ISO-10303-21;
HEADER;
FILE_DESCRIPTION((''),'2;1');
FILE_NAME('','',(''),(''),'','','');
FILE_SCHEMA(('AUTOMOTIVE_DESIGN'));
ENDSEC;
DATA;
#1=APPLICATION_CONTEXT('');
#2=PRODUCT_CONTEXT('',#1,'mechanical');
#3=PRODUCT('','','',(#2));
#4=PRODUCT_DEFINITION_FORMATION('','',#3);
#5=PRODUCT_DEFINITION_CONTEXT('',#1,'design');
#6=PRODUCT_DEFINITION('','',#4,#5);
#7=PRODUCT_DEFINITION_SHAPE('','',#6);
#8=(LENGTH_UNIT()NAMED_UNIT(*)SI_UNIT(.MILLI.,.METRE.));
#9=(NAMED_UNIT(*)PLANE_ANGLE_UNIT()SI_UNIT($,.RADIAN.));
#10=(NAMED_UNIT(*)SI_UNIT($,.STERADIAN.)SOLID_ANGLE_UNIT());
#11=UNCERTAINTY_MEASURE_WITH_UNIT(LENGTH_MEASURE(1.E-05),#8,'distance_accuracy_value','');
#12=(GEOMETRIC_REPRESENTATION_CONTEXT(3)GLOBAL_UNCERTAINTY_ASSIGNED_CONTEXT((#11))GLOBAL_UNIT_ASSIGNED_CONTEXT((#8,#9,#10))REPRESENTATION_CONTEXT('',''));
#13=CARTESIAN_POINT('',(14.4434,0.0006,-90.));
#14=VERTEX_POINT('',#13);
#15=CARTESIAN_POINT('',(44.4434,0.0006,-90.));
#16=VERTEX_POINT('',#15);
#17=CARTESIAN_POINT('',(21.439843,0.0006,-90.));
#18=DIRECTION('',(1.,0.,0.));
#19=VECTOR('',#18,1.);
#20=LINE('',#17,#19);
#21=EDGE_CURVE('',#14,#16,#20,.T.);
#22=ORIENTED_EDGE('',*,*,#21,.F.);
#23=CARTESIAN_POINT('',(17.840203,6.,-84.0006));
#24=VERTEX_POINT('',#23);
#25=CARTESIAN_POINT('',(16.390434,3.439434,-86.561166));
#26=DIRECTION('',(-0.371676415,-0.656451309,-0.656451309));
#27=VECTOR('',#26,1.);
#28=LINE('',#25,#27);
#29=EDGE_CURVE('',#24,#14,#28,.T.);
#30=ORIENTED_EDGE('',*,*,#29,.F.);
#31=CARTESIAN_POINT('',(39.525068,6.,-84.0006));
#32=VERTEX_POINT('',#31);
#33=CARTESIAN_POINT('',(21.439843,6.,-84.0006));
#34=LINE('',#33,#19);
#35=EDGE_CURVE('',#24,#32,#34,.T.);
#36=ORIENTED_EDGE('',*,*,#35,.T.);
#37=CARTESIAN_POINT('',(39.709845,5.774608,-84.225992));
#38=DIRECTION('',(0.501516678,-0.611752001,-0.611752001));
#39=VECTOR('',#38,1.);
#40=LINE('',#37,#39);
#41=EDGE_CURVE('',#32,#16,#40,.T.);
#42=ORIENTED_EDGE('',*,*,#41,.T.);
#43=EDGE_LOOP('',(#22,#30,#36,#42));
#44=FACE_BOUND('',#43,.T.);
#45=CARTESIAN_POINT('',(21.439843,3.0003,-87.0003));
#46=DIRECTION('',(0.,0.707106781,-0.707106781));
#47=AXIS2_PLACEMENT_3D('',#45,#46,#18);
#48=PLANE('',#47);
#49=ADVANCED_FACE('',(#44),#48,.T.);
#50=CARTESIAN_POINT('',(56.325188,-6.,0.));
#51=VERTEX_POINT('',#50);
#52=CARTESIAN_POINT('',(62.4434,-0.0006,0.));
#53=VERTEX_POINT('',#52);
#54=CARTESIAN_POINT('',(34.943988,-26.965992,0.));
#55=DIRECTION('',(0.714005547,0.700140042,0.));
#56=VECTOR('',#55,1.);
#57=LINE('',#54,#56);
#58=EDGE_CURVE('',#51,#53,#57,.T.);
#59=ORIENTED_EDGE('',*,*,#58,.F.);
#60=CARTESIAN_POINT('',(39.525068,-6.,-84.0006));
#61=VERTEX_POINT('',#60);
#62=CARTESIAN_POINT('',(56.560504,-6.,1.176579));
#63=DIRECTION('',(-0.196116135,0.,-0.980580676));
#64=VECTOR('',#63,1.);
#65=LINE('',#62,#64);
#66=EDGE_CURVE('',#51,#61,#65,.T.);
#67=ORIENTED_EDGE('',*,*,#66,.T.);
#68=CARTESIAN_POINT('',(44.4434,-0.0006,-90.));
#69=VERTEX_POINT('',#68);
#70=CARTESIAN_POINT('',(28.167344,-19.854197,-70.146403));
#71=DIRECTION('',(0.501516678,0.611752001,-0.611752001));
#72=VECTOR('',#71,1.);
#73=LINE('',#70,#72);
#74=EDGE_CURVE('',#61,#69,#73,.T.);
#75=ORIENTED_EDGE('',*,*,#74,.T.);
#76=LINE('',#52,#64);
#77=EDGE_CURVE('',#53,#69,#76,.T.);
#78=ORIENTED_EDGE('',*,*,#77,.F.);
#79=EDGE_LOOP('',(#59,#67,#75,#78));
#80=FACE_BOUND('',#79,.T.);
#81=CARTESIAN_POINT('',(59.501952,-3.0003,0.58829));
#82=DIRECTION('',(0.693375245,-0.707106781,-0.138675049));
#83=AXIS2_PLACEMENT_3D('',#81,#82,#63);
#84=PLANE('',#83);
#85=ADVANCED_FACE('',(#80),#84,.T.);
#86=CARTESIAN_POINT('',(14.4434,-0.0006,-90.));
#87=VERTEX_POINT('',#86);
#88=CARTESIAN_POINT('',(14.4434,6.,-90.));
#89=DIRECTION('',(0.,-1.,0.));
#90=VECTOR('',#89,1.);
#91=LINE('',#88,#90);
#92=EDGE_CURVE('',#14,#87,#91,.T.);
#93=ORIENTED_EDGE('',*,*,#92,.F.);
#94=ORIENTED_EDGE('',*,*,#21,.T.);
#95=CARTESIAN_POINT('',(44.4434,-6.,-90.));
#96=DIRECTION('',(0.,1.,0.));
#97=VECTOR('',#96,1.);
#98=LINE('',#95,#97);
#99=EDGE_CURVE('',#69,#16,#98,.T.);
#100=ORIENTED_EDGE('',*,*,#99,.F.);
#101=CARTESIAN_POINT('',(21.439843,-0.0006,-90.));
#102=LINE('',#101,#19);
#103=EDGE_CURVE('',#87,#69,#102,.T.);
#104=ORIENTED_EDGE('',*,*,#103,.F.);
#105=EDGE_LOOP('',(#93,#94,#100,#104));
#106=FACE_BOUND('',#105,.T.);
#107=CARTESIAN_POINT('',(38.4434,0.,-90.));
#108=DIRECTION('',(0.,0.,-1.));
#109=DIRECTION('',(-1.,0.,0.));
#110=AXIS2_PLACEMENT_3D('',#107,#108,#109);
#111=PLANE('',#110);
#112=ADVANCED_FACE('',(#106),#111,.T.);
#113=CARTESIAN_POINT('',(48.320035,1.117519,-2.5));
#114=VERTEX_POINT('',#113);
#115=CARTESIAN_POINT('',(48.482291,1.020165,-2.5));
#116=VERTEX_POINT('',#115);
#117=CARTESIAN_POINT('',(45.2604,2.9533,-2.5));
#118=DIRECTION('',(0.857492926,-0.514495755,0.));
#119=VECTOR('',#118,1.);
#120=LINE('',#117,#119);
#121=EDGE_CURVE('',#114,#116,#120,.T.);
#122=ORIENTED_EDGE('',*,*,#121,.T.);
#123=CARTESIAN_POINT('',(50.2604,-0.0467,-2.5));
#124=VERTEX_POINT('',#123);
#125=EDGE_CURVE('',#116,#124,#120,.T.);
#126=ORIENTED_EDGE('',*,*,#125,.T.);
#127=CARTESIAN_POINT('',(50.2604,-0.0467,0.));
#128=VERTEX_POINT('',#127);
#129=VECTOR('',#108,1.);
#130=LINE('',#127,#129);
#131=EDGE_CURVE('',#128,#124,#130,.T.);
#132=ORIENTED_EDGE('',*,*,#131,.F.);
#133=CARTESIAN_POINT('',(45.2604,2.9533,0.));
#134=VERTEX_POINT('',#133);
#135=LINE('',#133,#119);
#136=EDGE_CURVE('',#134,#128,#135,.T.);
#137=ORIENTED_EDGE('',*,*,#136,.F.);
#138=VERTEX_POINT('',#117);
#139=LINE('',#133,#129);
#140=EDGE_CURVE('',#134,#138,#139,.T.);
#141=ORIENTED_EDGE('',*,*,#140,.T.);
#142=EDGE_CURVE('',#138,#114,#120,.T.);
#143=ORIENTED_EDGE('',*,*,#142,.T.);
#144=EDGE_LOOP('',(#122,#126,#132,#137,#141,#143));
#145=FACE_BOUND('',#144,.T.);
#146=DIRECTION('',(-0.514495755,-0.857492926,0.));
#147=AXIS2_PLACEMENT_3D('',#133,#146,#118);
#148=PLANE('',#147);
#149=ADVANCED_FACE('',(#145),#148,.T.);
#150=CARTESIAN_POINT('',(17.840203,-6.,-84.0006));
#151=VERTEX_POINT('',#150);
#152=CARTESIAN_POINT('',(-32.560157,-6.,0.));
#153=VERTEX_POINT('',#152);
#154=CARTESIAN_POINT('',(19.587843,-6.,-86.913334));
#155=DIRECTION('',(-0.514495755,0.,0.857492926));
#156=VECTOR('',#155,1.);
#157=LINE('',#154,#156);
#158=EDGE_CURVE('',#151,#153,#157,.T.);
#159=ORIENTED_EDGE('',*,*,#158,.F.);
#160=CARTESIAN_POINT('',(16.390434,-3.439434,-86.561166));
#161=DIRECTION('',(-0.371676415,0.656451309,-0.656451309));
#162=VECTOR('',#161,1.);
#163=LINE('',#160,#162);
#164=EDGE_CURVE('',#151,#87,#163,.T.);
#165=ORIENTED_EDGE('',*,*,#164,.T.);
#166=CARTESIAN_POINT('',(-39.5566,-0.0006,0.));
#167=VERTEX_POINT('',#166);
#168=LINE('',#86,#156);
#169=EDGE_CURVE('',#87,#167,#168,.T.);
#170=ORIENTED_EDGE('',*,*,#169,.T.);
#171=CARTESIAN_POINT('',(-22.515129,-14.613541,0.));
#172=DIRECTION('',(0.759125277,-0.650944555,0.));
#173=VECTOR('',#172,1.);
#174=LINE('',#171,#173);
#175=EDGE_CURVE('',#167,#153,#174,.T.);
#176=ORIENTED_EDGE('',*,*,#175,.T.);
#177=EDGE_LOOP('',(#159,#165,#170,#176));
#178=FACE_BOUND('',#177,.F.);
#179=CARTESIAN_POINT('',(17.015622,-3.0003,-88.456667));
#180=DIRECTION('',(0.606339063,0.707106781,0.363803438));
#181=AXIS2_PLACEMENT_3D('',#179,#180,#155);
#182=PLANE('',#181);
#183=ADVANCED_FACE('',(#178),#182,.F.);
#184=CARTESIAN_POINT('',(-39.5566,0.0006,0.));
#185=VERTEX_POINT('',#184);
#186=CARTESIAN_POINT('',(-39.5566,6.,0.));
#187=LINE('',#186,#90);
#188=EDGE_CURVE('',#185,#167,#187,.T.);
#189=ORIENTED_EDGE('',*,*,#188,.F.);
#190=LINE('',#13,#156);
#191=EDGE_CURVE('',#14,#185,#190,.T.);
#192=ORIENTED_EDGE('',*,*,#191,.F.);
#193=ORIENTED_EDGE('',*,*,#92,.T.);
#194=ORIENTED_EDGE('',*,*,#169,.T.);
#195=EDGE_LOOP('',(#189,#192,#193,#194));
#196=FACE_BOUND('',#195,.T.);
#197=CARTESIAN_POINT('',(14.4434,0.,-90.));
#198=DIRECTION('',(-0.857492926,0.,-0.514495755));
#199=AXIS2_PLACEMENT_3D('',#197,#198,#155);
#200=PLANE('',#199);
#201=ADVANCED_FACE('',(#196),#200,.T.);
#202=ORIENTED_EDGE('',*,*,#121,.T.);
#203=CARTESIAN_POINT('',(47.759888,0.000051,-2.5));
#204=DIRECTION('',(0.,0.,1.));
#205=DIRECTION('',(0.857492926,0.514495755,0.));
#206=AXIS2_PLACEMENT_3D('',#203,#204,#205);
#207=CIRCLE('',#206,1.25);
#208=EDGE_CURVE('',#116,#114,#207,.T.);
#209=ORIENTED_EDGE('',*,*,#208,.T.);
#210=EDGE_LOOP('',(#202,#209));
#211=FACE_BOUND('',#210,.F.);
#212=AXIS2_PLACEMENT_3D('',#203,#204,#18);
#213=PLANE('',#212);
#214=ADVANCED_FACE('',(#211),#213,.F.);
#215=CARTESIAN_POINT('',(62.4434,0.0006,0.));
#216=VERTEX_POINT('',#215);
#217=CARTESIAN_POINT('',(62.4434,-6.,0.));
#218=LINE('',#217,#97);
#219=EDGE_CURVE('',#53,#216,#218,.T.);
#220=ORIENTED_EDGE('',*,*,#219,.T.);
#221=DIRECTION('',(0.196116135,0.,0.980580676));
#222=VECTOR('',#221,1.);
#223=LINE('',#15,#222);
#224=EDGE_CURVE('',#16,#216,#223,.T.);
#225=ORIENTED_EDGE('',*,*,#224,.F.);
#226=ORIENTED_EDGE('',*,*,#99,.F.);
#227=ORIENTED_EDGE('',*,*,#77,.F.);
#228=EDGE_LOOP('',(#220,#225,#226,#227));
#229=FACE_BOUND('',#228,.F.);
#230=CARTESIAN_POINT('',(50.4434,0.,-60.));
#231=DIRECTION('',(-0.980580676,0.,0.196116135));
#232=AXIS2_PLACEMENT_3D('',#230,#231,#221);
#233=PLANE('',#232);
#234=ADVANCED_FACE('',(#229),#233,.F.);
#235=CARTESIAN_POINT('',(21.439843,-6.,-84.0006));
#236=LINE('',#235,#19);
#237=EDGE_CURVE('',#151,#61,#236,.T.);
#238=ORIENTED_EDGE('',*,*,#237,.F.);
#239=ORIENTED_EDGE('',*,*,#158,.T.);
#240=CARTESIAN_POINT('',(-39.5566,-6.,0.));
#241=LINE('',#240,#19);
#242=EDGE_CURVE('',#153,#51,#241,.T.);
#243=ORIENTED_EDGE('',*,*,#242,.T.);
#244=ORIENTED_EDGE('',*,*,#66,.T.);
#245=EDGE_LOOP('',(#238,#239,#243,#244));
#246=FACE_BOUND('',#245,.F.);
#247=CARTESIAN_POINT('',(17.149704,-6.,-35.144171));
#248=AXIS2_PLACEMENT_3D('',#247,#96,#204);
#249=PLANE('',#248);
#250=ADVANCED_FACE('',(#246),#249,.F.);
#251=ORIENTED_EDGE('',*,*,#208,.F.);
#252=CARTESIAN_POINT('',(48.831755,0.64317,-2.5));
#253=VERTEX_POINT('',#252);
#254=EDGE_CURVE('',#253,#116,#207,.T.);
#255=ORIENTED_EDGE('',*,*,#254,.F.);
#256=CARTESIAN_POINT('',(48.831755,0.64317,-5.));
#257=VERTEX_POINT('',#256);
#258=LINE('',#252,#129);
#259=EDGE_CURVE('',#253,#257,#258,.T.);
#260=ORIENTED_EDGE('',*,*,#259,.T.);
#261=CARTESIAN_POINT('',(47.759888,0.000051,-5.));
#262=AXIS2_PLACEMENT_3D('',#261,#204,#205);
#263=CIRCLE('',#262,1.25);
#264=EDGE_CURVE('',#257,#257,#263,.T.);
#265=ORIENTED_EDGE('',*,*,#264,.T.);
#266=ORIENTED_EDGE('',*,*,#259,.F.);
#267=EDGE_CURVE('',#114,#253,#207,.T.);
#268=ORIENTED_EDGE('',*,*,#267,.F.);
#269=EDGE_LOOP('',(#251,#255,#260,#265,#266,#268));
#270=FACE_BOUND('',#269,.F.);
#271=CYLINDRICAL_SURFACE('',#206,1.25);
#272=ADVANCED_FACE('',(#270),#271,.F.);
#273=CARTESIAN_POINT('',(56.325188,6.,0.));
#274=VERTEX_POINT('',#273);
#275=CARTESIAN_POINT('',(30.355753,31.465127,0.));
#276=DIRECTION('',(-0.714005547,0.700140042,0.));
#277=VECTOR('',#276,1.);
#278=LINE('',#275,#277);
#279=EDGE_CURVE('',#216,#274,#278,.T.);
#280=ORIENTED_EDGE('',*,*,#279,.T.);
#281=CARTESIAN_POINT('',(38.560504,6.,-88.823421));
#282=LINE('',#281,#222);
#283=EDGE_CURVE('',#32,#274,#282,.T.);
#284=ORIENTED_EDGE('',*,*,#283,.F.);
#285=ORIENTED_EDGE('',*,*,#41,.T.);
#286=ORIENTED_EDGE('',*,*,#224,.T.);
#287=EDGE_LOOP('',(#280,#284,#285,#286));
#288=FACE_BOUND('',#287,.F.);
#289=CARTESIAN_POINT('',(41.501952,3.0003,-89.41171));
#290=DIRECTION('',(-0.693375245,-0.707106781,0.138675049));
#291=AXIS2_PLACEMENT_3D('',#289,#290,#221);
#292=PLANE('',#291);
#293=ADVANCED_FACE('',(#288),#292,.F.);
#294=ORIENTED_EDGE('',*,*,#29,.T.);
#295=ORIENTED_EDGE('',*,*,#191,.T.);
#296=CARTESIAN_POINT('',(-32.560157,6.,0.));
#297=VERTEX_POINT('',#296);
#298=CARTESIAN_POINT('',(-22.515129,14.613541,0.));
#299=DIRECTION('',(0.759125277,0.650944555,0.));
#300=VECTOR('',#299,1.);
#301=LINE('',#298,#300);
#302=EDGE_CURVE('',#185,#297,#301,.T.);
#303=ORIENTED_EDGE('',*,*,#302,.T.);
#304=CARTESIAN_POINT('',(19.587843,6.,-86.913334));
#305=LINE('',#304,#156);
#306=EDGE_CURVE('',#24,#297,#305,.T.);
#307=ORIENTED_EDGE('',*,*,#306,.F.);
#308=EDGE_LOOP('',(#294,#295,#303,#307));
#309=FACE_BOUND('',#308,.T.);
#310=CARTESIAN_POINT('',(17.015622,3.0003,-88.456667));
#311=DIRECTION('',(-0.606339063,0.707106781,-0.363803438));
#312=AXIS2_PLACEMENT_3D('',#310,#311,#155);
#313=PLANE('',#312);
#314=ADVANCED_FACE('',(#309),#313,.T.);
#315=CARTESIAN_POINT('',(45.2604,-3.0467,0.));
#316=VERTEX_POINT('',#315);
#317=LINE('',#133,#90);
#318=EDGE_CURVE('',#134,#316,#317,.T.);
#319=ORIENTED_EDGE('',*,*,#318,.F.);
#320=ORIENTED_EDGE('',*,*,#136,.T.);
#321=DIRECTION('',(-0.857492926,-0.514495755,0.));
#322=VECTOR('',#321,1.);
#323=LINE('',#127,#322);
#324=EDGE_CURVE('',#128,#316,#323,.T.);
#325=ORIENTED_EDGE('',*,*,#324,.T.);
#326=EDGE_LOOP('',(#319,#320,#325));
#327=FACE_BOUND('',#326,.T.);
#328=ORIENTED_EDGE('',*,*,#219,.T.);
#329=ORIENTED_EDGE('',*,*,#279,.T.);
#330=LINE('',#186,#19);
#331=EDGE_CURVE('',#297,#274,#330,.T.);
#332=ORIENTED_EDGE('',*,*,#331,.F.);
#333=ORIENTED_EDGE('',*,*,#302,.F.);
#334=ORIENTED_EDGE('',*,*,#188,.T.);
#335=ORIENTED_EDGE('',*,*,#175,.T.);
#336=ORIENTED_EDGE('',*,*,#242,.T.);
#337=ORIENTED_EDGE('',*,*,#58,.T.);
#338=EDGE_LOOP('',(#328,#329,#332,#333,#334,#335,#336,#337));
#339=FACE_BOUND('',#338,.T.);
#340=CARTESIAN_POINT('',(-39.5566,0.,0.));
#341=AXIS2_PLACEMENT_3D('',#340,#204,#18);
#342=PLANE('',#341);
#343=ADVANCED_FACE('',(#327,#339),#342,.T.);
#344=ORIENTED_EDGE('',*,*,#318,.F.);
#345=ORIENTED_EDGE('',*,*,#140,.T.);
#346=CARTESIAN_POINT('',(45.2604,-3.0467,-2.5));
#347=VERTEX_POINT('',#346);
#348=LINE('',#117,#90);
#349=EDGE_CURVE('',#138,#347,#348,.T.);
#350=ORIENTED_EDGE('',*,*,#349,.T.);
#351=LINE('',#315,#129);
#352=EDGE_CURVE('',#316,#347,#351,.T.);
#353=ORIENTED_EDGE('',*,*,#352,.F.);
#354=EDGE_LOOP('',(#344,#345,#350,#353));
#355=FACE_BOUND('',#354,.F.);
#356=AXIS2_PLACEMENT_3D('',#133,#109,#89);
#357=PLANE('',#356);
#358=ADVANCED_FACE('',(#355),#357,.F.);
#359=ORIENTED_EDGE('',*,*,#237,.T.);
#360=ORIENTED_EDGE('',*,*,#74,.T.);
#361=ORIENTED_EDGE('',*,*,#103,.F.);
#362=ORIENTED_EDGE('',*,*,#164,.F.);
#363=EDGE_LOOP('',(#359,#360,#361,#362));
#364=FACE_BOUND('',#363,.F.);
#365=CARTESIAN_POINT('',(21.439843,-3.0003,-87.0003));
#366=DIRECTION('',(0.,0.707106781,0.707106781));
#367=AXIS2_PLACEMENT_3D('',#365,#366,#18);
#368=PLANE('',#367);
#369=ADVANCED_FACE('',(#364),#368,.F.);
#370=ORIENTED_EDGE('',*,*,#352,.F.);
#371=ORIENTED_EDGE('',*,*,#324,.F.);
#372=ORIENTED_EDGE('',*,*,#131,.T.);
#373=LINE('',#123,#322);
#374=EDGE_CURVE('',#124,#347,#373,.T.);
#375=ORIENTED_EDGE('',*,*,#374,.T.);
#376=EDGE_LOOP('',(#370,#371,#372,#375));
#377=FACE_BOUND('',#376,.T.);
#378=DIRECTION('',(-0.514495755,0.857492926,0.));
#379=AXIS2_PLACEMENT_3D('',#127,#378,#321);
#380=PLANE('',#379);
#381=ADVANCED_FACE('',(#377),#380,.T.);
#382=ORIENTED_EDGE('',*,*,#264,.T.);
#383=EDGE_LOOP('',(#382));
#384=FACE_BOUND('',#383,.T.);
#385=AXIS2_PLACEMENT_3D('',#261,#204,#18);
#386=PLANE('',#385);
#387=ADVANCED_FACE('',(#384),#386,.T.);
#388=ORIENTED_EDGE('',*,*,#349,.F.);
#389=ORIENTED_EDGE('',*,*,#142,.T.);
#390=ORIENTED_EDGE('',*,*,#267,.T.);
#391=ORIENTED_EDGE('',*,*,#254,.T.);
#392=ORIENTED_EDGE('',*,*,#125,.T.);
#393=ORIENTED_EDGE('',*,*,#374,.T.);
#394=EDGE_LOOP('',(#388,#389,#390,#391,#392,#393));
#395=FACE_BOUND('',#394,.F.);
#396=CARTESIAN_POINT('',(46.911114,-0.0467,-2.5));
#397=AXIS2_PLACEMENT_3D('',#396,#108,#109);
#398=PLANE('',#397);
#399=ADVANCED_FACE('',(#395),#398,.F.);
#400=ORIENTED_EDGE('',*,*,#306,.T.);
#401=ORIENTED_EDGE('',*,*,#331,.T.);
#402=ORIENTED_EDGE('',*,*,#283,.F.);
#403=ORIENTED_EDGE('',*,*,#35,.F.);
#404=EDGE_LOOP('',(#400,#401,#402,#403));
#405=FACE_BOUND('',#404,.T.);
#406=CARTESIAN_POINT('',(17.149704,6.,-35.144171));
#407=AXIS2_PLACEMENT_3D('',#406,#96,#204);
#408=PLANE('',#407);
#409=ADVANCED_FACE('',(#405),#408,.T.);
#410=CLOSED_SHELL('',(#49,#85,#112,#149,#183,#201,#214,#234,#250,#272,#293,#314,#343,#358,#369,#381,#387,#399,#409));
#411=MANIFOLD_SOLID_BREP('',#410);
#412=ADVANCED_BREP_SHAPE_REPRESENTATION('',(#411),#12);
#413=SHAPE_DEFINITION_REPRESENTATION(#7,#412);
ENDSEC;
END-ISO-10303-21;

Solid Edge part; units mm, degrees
sketch "Sketch1" plane through (0, 0, 0) normal (0, -1, 0) x (1, 0, 0)
  line L0 (-39.5566, 0) -> (62.4434, 0)
  line L1 (50.4434, -60) -> (62.4434, 0)
  line L2 (50.4434, -60) -> (44.4434, -90)
  line L3 (38.4434, -90) -> (44.4434, -90)
  line L4 (38.4434, -90) -> (14.4434, -90)
  line L5 (14.4434, -90) -> (-39.5566, 0)
extrude "Protrusion1" add sketch "Sketch1" along normal mid plane 12
chamfer "Chamfer_1" distance 6 angle 45 2 edges at (-12.5566, 6, -45) (-12.5566, -6, -45)
chamfer "Chamfer_2" distance 6 angle 45 2 edges at (53.4434, 6, -45) (53.4434, -6, -45)
chamfer "Chamfer_3" distance 6 angle 45 2 edges at (29.8825, 6, -90) (29.8825, -6, -90)
sketch "Sketch2" plane through (11.4434, 0, 0) normal (0, 0, 1) x (1, 0, 0)
  line L0 (33.817, 2.9533) -> (38.817, -0.0467)
  line L1 (38.817, -0.0467) -> (33.817, -3.0467)
  line L2 (33.817, 2.9533) -> (33.817, -3.0467)
extrude "ExtrudedCutout_3" cut sketch "Sketch2" against normal blind 2.5
sketch "Sketch3" plane through (47.7603, -0.0467, -2.5) normal (0, 0, 1) x (0.8575, 0.5145, 0)
  circle A0 centre (0.0237, 0.0403) radius 1.25
extrude "ExtrudedCutout_4" cut sketch "Sketch3" against normal blind 2.5
